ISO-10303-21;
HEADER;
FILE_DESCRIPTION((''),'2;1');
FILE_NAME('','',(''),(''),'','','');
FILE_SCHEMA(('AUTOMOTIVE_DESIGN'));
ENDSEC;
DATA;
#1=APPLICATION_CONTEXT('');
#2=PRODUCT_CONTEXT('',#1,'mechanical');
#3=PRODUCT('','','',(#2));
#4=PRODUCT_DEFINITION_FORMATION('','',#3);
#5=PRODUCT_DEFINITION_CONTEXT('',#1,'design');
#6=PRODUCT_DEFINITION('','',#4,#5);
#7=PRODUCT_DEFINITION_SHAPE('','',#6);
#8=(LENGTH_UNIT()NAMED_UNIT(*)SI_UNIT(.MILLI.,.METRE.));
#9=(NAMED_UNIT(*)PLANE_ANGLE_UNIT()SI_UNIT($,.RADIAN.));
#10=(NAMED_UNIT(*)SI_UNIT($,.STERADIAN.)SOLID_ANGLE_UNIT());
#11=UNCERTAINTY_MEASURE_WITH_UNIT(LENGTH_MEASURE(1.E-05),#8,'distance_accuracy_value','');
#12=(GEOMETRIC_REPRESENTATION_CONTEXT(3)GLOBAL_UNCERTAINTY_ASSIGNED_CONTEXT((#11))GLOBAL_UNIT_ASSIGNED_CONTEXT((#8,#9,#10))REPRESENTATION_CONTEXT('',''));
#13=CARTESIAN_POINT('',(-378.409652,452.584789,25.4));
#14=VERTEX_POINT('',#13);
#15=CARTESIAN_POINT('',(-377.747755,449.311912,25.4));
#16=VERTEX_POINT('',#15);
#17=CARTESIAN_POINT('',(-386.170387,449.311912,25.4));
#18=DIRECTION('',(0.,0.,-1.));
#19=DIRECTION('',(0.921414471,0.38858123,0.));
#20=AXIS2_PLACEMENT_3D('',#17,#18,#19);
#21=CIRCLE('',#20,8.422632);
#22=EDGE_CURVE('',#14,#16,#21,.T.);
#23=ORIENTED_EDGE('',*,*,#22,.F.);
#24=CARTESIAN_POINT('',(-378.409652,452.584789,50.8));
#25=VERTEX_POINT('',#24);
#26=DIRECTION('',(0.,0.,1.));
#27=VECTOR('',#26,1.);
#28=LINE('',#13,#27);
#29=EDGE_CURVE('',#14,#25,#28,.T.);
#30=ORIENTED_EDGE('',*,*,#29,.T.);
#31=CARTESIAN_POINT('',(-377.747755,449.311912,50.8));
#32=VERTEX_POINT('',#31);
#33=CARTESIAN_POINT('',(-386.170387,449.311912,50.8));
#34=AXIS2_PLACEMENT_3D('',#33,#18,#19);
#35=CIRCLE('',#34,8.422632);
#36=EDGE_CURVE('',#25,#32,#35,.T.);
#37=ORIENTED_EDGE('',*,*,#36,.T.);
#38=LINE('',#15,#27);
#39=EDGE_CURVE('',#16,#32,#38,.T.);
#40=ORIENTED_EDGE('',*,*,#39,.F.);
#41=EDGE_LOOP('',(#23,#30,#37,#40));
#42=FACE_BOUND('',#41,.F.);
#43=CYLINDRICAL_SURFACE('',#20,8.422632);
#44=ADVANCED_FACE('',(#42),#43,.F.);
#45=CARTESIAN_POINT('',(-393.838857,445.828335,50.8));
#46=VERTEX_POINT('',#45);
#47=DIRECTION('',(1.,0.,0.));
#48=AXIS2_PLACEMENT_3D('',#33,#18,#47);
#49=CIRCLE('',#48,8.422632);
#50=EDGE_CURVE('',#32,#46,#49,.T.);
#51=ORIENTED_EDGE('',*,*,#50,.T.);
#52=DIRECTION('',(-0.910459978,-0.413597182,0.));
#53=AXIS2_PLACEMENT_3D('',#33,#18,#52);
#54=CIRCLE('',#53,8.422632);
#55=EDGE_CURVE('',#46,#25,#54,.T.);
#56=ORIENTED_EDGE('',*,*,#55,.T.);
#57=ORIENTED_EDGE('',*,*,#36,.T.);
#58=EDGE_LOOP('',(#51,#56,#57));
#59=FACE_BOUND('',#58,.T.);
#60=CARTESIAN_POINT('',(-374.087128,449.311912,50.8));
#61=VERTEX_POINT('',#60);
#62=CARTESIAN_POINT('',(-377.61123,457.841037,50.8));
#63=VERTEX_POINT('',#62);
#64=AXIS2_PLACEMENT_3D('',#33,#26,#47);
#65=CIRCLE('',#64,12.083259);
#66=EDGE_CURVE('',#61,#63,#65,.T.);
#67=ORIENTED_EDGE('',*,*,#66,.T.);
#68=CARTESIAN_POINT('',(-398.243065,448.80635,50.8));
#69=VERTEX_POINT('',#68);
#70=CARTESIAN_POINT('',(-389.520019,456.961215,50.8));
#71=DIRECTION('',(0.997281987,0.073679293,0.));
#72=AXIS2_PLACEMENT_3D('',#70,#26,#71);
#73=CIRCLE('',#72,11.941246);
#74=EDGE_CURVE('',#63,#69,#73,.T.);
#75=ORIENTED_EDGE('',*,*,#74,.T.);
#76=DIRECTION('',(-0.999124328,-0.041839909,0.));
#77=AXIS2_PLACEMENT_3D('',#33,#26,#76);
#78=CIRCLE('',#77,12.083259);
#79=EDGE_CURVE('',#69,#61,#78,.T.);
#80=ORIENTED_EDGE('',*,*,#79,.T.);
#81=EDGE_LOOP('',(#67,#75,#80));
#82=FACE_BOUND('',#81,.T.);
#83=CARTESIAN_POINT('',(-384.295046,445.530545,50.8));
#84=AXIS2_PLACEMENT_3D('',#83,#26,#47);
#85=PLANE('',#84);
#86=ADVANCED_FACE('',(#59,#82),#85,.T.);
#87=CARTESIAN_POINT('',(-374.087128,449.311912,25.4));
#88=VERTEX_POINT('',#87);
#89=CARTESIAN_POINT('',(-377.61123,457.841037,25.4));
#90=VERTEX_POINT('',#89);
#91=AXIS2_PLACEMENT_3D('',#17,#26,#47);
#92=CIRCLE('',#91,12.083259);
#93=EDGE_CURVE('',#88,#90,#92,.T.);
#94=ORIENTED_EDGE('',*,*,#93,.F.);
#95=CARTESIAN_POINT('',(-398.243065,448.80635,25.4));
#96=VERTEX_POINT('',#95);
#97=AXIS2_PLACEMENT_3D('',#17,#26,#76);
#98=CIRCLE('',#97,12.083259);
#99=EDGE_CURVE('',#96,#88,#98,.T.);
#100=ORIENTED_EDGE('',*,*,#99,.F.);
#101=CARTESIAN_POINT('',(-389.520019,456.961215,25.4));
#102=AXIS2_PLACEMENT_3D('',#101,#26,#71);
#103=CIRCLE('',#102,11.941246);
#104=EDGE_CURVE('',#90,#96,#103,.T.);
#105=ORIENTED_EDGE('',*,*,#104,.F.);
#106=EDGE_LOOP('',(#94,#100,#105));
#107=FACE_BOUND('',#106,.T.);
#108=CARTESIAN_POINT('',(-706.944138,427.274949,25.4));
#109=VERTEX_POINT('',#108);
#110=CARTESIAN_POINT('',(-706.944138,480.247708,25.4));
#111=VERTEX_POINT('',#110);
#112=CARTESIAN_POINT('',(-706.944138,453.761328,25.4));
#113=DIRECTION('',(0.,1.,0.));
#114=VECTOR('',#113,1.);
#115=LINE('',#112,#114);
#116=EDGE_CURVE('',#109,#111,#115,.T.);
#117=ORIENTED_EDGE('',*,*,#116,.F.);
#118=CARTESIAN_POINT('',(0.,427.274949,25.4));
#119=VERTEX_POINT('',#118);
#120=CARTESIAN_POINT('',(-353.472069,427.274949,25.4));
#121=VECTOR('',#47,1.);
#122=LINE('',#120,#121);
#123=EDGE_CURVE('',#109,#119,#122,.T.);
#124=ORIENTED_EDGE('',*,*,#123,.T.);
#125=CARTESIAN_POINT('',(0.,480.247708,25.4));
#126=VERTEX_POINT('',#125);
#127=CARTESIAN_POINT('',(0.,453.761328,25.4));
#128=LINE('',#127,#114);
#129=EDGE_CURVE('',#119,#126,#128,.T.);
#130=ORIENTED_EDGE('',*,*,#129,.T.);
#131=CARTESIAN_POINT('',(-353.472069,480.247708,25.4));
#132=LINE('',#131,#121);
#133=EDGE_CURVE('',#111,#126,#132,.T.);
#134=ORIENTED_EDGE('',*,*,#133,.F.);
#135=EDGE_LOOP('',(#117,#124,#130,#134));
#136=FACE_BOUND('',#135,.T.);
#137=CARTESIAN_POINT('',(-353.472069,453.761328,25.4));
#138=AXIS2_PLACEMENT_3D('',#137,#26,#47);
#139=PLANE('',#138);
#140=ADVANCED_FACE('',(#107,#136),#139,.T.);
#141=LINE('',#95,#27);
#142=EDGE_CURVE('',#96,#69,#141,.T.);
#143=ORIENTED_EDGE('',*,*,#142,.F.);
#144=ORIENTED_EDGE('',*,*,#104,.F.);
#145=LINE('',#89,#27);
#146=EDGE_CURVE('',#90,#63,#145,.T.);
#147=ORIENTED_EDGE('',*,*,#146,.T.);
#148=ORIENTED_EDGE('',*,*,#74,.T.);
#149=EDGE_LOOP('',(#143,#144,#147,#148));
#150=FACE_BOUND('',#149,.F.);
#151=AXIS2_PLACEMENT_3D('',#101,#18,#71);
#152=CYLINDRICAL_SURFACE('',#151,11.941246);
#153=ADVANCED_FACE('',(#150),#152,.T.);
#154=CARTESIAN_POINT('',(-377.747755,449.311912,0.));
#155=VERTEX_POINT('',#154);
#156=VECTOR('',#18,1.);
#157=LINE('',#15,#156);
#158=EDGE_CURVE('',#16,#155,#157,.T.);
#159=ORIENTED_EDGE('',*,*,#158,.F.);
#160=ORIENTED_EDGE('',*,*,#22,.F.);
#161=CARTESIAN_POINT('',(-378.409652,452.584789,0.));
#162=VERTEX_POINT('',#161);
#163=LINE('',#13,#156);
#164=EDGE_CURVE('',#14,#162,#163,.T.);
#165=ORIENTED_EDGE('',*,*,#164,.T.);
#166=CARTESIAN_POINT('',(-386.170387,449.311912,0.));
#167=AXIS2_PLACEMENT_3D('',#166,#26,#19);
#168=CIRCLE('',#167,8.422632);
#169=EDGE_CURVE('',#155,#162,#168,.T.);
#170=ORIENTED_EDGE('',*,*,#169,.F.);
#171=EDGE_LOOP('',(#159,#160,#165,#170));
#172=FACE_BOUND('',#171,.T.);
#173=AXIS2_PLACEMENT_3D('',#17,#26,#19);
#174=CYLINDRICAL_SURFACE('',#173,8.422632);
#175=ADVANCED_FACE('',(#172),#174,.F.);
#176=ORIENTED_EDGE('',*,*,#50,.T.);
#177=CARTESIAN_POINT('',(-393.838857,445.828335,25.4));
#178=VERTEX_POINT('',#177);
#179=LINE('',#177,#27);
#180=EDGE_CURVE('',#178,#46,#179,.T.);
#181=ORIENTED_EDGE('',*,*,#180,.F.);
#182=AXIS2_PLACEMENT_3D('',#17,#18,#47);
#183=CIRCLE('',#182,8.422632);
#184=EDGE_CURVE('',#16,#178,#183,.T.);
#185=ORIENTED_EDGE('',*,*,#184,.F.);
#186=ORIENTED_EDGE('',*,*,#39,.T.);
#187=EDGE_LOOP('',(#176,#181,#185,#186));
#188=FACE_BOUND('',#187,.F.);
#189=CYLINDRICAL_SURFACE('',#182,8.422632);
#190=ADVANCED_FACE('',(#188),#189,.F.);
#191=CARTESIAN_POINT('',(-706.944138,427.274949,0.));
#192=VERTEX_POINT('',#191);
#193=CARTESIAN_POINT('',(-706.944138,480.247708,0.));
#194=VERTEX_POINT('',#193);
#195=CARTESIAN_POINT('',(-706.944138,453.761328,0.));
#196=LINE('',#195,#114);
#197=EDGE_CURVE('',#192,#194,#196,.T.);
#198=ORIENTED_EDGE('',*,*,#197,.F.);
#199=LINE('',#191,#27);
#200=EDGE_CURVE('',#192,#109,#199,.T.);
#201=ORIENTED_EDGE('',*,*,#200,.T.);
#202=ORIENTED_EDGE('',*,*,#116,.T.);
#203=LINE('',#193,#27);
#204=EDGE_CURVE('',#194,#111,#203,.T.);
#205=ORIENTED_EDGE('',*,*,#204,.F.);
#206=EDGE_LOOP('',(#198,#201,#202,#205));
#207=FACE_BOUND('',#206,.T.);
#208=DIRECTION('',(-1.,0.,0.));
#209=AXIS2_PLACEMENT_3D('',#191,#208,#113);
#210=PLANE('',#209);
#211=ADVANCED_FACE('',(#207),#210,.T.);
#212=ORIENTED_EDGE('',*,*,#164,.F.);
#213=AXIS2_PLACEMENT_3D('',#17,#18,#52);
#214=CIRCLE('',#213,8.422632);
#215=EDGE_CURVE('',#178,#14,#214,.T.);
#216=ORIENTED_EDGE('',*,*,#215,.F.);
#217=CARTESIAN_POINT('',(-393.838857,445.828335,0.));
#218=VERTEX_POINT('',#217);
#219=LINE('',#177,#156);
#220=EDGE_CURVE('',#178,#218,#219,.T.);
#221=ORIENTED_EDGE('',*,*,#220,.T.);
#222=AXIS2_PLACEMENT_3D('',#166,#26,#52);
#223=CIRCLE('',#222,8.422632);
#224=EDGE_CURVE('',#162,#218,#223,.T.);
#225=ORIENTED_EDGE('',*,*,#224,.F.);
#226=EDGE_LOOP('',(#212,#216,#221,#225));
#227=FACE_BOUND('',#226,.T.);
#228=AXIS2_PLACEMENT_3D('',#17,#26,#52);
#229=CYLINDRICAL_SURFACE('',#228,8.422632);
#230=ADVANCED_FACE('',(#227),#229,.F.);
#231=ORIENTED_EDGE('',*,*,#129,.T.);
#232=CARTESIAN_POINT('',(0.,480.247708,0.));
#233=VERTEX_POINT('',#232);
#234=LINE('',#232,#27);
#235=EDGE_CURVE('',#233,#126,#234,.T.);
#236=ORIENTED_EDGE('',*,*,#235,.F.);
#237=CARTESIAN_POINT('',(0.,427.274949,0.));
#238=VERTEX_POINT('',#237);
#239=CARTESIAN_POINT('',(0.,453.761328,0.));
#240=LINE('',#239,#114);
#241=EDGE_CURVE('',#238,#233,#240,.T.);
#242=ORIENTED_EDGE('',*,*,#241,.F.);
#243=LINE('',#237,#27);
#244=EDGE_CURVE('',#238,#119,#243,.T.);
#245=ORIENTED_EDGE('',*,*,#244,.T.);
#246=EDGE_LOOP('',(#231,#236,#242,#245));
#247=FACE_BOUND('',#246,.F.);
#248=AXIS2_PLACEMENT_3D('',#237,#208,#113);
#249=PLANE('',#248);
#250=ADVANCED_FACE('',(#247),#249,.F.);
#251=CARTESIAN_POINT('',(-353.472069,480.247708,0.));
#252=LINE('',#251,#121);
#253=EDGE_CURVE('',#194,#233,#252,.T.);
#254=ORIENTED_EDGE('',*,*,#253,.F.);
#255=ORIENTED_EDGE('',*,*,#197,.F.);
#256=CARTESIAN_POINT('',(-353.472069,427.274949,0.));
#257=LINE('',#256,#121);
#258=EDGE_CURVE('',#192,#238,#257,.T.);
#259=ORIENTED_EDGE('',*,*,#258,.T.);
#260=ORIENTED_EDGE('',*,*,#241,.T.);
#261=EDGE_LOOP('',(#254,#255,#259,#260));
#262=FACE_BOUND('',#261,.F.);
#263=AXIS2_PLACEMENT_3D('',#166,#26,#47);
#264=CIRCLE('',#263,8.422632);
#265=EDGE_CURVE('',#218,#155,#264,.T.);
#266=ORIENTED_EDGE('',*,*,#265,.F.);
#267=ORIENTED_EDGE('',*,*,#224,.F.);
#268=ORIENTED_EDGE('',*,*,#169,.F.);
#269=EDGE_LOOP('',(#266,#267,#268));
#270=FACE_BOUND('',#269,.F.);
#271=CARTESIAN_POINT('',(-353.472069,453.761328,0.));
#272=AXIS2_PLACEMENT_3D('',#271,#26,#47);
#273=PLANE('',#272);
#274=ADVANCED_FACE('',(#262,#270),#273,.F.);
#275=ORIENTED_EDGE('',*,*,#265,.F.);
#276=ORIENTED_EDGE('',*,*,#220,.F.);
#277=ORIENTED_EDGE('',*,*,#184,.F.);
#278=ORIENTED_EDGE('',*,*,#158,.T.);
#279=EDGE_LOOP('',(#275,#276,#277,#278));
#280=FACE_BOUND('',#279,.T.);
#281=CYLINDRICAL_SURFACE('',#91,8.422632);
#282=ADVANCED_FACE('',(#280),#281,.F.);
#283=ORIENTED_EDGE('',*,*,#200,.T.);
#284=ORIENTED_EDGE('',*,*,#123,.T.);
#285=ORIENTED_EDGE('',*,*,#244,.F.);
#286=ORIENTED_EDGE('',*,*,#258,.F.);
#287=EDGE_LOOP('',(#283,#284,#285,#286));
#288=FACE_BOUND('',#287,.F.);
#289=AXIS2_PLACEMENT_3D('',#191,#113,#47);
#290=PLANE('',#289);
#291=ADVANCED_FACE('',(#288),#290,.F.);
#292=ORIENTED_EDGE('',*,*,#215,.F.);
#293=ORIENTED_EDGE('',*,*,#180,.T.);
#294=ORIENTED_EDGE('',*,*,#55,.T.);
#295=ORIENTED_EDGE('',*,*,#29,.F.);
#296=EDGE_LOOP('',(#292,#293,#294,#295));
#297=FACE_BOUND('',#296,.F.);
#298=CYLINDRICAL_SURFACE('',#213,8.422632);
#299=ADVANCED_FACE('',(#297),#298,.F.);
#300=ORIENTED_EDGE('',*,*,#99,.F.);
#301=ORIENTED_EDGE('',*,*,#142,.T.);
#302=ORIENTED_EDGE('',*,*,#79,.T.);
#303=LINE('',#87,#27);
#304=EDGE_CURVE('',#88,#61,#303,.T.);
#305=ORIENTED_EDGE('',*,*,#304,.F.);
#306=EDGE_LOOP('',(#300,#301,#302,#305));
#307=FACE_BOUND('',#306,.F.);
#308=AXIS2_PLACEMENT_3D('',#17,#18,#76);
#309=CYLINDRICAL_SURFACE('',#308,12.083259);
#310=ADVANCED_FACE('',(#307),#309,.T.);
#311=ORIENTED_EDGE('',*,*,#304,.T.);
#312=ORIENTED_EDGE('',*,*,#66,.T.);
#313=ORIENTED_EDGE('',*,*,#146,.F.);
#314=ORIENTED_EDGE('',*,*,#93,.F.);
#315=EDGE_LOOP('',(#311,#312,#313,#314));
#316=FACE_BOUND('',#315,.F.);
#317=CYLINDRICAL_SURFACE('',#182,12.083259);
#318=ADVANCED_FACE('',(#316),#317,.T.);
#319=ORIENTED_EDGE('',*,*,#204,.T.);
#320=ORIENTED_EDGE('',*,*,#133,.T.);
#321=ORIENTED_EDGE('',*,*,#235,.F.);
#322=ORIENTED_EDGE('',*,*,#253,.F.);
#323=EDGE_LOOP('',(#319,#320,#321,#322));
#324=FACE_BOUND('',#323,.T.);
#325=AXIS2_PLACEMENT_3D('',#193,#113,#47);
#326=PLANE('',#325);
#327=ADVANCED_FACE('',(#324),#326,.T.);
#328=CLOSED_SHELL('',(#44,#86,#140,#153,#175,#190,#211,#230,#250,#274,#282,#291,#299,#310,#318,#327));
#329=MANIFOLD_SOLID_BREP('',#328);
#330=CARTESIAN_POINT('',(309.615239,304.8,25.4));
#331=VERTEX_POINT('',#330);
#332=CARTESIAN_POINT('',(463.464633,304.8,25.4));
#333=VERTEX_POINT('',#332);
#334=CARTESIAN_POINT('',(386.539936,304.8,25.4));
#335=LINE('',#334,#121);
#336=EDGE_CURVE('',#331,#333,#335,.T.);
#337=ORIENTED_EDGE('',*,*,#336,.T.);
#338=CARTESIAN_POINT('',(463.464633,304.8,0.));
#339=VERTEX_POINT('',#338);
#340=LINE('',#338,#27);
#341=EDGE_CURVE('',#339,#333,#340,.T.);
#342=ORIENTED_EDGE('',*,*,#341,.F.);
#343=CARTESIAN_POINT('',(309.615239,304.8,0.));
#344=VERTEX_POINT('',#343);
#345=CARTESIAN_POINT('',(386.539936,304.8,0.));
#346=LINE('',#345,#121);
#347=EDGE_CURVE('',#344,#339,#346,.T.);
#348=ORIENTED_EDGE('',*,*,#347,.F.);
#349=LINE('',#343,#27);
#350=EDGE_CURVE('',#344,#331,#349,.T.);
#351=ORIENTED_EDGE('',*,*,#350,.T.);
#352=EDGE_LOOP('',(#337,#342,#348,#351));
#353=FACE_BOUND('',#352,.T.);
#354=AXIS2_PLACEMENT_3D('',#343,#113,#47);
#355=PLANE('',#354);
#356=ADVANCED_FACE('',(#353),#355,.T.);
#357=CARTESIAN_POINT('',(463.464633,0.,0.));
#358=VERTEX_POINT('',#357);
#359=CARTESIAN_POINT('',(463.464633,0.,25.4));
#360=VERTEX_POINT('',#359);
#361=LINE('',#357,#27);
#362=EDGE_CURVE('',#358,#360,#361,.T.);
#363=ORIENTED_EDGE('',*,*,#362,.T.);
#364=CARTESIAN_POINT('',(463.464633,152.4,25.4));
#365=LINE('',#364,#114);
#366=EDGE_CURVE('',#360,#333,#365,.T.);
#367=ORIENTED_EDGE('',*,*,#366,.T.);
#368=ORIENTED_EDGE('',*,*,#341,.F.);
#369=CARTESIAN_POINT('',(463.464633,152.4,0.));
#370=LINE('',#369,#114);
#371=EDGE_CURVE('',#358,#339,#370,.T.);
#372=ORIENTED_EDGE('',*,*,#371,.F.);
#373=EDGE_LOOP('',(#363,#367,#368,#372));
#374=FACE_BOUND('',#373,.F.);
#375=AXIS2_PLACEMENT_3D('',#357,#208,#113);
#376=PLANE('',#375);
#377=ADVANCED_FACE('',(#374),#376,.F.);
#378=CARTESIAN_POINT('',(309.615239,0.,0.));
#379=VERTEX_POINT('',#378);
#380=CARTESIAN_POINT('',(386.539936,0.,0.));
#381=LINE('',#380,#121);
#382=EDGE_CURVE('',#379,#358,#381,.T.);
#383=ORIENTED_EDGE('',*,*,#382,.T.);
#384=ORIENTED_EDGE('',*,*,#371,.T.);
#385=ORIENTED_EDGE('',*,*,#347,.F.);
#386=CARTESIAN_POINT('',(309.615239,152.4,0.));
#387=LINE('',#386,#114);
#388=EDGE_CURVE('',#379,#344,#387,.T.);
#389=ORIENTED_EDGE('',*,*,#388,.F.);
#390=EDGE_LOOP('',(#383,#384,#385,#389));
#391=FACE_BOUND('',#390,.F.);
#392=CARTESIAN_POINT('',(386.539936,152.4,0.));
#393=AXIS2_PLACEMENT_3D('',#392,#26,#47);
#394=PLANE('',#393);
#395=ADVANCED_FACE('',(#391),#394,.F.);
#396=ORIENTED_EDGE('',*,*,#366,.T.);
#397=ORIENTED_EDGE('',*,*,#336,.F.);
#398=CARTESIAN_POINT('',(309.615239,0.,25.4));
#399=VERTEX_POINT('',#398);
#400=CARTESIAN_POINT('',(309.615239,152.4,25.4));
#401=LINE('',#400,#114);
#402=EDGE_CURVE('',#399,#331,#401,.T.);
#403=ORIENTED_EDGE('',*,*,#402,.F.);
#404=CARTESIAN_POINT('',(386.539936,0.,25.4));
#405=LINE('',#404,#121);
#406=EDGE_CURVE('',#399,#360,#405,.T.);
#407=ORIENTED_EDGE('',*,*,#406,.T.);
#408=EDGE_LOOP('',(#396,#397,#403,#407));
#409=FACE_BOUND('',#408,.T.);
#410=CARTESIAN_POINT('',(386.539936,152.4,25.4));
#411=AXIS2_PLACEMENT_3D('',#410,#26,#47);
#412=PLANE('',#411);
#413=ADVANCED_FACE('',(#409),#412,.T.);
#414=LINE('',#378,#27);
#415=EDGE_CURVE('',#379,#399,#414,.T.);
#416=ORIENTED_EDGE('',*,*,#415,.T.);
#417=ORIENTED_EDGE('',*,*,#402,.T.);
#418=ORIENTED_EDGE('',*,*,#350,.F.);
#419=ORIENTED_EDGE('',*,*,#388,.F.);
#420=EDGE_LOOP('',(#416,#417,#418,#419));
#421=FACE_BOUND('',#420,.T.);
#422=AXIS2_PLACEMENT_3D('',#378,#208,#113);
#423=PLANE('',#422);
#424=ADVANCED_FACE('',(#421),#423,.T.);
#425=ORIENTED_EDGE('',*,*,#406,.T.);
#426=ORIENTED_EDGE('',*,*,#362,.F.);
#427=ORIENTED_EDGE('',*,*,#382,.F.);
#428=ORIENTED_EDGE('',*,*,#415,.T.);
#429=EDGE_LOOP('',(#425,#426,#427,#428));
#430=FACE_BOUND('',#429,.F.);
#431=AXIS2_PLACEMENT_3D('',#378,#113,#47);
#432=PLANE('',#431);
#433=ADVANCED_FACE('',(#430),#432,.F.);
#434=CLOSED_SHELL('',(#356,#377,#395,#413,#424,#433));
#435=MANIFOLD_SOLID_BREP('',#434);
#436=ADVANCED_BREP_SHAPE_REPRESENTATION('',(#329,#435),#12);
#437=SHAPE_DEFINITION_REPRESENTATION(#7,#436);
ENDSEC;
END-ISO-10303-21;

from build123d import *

# Parameters (mm, degrees)
F0_W     = 153.8493943154
F0_H     = 304.8
F1_DEPTH = 25.4
F0_W_2   = 706.9441376255
F0_H_2   = 52.9727586547
F3_DEPTH = 25.4
F4_DEPTH = 25.401


with BuildPart() as f1:
    # F0 (on Top) → F1 (new body)
    with BuildSketch(Plane.XY):
        with Locations((386.5399363272, 152.4)):
            Rectangle(F0_W, F0_H)
    extrude(amount=F1_DEPTH)


with BuildPart() as f1b:
    # F0 (on Top) → F1, piece 2 (new body)
    with BuildSketch(Plane.XY):
        with Locations((-353.4720688128, 453.7613283162)):
            Rectangle(F0_W_2, F0_H_2)
    extrude(amount=F1_DEPTH)

    # F2 (on face) → F3 (join)
    with BuildSketch(Plane.XY.offset(25.4)):
        with BuildLine():
            ThreePointArc((-398.2430654439, 448.8063495925), (-385.9175506779, 437.2312984411), (-374.0871281156, 449.3119120598))
            ThreePointArc((-374.0871281156, 449.3119120598), (-375.0028523933, 453.926163523), (-377.6112297338, 457.8410371057))
            ThreePointArc((-377.6112297338, 457.8410371057), (-377.5868901469, 457.4014250502), (-377.5787732731, 456.9612145424))
            ThreePointArc((-377.5787732731, 456.9612145424), (-377.7883318284, 454.7339144409), (-378.4096523512, 452.584788726))
            ThreePointArc((-378.4096523512, 452.584788726), (-377.9148878404, 450.9814800644), (-377.7477553681, 449.3119120598))
            ThreePointArc((-377.7477553681, 449.3119120598), (-384.3882488939, 441.0799796659), (-393.8388565209, 445.8283352427))
            ThreePointArc((-393.8388565209, 445.8283352427), (-396.2088026565, 447.0691200413), (-398.2430654439, 448.8063495925))
        make_face()
        with BuildLine():
            ThreePointArc((-377.5787732731, 456.9612145424), (-377.5868901469, 457.4014250502), (-377.6112297338, 457.8410371057))
            ThreePointArc((-377.6112297338, 457.8410371057), (-391.0173039622, 460.3804508209), (-398.2430654439, 448.8063495925))
            ThreePointArc((-398.2430654439, 448.8063495925), (-396.2088026565, 447.0691200413), (-393.8388565209, 445.8283352427))
            ThreePointArc((-393.8388565209, 445.8283352427), (-389.5489289884, 457.0272334378), (-378.4096523512, 452.584788726))
            ThreePointArc((-378.4096523512, 452.584788726), (-377.7883318284, 454.7339144409), (-377.5787732731, 456.9612145424))
        make_face()
        with BuildLine():
            ThreePointArc((-398.2430654439, 448.8063495925), (-391.0173039622, 460.3804508209), (-377.6112297338, 457.8410371057))
            ThreePointArc((-377.6112297338, 457.8410371057), (-394.3099707415, 467.899666061), (-398.2430654439, 448.8063495925))
        make_face()
    extrude(amount=F3_DEPTH)

    # F4 (cut, through all): a face of the model
    f4_faces = [f1b.faces().sort_by_distance(p)[0] for p in [
        (-386.1703872681, 449.3119120598, 25.4),
    ]]
    extrude(f4_faces, amount=-F4_DEPTH, mode=Mode.SUBTRACT)


solid = Compound([f1.part, f1b.part])
